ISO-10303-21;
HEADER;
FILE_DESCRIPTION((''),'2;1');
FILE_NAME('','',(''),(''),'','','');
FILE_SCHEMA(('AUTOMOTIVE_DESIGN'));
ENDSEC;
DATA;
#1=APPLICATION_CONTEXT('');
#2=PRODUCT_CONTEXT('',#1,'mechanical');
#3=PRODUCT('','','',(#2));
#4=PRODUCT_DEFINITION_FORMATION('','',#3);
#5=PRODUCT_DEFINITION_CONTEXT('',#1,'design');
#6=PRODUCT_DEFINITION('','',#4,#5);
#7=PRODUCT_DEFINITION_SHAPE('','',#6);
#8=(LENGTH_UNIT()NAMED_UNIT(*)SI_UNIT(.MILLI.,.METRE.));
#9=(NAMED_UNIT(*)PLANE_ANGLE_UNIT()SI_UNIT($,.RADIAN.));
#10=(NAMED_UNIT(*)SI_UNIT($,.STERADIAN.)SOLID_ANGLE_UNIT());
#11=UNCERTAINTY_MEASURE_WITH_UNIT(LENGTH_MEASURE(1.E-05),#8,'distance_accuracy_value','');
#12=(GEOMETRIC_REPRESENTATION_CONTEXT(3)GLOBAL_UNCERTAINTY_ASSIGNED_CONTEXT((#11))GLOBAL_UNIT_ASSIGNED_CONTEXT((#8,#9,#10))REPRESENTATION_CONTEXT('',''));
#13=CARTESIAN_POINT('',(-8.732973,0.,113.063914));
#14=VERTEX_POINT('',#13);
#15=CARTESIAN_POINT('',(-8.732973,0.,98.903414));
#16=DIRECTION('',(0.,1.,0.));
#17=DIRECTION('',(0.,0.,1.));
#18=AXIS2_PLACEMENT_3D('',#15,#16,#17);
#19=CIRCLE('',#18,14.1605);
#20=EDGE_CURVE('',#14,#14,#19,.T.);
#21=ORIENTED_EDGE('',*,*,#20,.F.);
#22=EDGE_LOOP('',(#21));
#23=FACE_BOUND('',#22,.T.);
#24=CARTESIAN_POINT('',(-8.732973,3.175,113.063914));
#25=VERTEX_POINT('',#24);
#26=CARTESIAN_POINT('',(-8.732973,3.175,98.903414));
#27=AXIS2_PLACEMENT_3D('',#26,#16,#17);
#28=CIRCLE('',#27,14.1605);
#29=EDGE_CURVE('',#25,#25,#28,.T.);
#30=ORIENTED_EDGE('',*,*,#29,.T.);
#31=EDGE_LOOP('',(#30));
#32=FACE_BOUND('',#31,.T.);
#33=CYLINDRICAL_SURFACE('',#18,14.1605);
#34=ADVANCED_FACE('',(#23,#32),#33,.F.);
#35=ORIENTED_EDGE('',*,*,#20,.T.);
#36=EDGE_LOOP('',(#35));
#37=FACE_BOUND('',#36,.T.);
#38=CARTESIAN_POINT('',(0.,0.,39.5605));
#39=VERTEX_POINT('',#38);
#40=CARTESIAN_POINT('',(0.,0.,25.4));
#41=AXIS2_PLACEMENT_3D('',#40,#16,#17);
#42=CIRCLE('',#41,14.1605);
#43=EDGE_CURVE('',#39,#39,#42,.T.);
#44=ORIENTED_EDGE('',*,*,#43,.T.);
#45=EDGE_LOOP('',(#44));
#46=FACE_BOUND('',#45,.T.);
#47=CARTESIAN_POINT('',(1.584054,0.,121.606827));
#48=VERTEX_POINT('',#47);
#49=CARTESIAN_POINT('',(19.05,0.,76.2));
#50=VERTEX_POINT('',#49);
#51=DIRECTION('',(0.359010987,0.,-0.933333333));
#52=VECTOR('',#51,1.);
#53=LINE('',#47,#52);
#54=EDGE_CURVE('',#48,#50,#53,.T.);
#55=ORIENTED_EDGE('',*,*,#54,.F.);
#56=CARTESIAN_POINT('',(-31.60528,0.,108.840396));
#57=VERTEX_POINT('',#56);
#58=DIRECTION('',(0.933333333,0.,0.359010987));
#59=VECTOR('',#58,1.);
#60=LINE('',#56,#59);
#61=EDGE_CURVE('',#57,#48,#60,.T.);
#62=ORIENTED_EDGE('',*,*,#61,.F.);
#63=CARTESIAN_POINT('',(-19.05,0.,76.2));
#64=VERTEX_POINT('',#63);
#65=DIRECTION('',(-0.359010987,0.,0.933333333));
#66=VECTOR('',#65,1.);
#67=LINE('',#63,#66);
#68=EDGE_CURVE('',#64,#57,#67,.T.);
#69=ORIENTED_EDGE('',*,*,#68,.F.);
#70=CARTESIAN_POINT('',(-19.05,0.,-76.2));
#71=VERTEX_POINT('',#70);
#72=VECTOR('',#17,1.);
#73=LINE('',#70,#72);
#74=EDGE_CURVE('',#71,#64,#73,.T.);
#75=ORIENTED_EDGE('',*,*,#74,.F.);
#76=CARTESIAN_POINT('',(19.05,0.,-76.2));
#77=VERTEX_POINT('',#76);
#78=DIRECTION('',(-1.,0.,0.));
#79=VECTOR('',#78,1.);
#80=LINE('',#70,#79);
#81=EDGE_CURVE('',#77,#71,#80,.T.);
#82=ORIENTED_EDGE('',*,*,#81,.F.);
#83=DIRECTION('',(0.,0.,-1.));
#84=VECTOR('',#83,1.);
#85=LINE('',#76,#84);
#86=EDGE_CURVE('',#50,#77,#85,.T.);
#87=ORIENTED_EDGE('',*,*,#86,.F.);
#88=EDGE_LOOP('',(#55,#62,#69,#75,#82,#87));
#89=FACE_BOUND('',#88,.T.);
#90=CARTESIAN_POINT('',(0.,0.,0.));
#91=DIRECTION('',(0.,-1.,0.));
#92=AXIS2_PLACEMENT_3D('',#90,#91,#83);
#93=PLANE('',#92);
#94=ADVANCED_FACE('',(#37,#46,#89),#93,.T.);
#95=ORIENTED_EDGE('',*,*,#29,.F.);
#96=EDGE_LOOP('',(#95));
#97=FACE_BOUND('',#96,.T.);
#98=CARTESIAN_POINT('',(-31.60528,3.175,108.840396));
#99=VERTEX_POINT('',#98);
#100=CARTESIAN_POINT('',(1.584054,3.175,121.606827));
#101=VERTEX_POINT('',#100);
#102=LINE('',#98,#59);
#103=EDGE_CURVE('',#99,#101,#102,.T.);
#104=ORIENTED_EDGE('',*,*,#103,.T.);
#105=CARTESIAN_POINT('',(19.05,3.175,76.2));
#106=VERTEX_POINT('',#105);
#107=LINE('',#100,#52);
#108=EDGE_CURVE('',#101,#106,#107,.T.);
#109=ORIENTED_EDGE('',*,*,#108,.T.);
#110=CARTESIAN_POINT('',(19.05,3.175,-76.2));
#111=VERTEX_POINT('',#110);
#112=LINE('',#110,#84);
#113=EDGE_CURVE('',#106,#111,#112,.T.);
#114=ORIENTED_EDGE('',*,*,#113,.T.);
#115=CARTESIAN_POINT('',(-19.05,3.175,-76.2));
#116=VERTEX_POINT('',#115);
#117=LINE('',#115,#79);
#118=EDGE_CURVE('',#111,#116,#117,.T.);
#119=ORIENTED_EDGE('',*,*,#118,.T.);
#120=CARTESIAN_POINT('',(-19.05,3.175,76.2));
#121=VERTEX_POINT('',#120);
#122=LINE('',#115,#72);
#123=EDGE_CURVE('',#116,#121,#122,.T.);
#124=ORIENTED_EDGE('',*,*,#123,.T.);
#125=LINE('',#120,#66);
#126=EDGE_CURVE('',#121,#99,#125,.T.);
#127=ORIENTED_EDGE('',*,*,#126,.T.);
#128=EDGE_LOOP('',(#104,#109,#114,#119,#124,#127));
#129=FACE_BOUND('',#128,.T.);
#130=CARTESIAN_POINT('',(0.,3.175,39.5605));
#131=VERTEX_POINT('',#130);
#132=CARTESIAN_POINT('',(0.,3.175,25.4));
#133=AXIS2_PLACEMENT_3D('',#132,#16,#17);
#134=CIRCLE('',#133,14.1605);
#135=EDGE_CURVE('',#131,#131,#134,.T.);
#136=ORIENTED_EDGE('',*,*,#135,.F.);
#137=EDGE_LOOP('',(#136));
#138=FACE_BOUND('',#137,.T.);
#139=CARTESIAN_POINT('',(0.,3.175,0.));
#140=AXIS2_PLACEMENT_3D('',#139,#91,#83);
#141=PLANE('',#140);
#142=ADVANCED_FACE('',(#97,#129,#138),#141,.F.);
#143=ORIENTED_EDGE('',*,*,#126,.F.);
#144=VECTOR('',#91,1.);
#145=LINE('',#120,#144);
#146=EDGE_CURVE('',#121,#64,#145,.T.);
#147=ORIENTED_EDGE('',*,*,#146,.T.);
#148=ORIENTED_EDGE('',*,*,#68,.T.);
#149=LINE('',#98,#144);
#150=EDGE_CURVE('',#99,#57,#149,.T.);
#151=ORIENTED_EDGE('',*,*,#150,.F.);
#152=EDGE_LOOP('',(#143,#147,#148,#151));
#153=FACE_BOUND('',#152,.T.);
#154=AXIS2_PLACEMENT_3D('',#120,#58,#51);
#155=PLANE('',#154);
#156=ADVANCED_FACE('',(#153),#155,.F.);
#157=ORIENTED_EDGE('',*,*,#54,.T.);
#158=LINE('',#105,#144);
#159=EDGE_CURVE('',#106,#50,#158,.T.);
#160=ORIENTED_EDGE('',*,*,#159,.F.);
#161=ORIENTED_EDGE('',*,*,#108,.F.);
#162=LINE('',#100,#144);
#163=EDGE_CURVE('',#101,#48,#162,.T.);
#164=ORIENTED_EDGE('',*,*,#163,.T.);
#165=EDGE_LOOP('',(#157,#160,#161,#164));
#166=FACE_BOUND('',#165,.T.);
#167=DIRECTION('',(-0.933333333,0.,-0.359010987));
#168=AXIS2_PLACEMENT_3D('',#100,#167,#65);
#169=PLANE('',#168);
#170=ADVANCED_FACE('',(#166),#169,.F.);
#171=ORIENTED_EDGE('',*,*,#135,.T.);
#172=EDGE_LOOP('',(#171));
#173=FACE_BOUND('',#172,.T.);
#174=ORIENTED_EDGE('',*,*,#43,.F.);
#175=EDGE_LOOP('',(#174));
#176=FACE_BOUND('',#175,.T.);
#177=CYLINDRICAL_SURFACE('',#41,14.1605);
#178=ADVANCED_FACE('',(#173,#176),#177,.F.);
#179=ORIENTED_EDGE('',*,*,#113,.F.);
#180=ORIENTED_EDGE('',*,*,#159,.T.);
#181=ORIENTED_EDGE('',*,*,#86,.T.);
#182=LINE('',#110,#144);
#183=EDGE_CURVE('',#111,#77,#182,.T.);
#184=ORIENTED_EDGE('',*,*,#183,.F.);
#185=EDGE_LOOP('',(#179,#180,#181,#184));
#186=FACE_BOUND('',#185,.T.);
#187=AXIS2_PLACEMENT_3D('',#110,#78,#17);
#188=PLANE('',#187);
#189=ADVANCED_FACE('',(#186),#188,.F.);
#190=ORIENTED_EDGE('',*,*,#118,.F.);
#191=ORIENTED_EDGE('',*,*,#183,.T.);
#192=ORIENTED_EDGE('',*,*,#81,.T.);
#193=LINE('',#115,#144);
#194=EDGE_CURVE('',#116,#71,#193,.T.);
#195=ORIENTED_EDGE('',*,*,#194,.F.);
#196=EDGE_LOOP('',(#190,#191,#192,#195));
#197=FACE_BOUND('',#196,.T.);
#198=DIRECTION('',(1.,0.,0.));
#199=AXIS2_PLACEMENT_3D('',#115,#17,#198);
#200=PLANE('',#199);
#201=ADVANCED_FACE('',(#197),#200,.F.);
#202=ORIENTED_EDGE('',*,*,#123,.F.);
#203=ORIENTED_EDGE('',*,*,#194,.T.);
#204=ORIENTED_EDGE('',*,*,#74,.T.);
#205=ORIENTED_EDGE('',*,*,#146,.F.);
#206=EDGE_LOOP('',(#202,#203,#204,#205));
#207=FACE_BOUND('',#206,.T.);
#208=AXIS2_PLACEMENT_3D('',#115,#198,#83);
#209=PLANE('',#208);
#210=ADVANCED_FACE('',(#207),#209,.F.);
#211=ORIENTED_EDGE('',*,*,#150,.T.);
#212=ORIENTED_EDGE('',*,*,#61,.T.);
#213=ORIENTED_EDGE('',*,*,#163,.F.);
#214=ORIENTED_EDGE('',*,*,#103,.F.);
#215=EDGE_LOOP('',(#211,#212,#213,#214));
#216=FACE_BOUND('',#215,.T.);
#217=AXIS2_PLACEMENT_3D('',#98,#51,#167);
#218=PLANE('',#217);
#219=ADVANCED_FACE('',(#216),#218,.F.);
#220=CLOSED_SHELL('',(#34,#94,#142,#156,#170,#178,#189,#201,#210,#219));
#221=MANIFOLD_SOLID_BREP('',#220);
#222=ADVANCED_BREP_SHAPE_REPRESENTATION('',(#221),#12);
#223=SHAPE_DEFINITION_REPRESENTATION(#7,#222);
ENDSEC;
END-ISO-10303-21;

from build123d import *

# Parameters (mm, degrees)
BOSS_EXTRUDE1_DEPTH = 3.175
SKETCH2_R           = 14.1605
CUT_EXTRUDE1_DEPTH  = 126.68689151
SKETCH3_R           = 14.1605
CUT_EXTRUDE2_DEPTH  = 126.68689151


with BuildPart() as part:
    # Sketch1 → Boss-Extrude1 (new body)
    with BuildSketch(Plane(origin=(0, 0, 0), x_dir=(1, 0, 0), z_dir=(0, 1, 0))):
        Polygon((-19.05, -76.2), (-31.605279538, -108.840396317), (1.584053795, -121.606827019), (19.05, -76.2), (19.05, 76.2), (-19.05, 76.2), align=None)
    extrude(amount=BOSS_EXTRUDE1_DEPTH)

    # Sketch2 → Cut-Extrude1 (cut, through all)
    with BuildSketch(Plane(origin=(0, 3.175, 0), x_dir=(1, 0, 0), z_dir=(0, 1, 0))):
        with Locations(Location((-8.732973102, -98.90341351, 0), (0, 0, 270))):
            Circle(SKETCH2_R)
    extrude(amount=-CUT_EXTRUDE1_DEPTH, mode=Mode.SUBTRACT)

    # Sketch3 → Cut-Extrude2 (cut, through all)
    with BuildSketch(Plane(origin=(0, 3.175, 0), x_dir=(1, 0, 0), z_dir=(0, 1, 0))):
        with Locations(Location((0, -25.4, 0), (0, 0, 270))):
            Circle(SKETCH3_R)
    extrude(amount=-CUT_EXTRUDE2_DEPTH, mode=Mode.SUBTRACT)


solid = part.part
